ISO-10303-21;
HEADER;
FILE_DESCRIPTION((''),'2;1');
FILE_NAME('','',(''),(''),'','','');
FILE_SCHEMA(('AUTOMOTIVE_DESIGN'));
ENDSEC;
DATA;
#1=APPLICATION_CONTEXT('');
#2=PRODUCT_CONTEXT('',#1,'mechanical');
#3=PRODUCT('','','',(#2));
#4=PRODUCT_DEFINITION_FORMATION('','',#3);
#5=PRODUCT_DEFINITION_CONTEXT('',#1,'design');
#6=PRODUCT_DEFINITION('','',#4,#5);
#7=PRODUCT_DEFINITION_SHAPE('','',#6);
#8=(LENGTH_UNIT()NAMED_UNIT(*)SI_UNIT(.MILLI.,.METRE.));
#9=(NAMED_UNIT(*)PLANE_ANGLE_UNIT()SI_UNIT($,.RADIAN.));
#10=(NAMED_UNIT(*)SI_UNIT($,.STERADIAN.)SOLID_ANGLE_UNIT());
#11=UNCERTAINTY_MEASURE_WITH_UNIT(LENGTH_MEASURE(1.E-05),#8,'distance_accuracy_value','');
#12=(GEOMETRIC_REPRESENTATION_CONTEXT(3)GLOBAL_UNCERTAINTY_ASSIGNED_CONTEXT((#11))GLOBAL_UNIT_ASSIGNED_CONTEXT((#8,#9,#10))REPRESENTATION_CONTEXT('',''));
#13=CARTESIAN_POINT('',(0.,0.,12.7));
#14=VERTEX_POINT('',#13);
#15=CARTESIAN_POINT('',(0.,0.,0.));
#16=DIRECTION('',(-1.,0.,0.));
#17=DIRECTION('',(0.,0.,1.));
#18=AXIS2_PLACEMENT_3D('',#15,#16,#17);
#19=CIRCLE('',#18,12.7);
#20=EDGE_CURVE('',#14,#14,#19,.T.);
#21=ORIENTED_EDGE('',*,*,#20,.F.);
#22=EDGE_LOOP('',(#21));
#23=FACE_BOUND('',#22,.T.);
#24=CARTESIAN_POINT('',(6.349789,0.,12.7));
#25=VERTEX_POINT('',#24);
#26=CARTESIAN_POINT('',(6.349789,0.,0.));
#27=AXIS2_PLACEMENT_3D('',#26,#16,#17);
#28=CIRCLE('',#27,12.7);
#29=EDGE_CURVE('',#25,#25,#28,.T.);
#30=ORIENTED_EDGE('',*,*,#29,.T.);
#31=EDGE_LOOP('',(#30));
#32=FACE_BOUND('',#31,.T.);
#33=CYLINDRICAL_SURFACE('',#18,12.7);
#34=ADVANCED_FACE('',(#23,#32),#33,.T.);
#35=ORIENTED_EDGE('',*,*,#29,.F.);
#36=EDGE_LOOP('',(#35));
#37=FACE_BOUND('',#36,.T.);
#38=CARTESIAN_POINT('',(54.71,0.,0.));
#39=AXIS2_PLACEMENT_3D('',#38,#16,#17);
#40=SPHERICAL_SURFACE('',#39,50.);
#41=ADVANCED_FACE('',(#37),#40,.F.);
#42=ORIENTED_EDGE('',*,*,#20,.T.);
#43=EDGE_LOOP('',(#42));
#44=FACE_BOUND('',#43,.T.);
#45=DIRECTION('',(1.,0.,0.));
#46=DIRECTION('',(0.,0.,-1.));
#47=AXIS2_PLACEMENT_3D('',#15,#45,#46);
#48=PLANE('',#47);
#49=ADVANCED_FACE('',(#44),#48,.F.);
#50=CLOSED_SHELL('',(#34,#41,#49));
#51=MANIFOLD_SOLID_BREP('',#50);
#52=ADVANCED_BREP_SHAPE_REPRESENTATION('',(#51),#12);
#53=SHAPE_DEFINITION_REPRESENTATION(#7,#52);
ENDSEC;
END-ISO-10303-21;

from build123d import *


with BuildPart() as part:
    # 草图1 → 旋转1 (revolve)
    with BuildSketch(Plane(origin=(0, 0, 0), x_dir=(1, 0, 0), z_dir=(0, 1, 0)), mode=Mode.PRIVATE) as revolve_1_sk:
        with BuildLine():
            Line((0, 0), (4.71, 0))
            ThreePointArc((4.71, 0), (5.12164176, 6.402712477), (6.349789082, 12.7))
            Line((6.349789082, 12.7), (0, 12.7))
            Line((0, 12.7), (0, 0))
        make_face()
    revolve(revolve_1_sk.sketch.rotate(Axis((0, 0, 0), (1, 0, 0)), 180), axis=Axis((0, 0, 0), (1, 0, 0)))  # turned: the seam where the file's is


solid = part.part
